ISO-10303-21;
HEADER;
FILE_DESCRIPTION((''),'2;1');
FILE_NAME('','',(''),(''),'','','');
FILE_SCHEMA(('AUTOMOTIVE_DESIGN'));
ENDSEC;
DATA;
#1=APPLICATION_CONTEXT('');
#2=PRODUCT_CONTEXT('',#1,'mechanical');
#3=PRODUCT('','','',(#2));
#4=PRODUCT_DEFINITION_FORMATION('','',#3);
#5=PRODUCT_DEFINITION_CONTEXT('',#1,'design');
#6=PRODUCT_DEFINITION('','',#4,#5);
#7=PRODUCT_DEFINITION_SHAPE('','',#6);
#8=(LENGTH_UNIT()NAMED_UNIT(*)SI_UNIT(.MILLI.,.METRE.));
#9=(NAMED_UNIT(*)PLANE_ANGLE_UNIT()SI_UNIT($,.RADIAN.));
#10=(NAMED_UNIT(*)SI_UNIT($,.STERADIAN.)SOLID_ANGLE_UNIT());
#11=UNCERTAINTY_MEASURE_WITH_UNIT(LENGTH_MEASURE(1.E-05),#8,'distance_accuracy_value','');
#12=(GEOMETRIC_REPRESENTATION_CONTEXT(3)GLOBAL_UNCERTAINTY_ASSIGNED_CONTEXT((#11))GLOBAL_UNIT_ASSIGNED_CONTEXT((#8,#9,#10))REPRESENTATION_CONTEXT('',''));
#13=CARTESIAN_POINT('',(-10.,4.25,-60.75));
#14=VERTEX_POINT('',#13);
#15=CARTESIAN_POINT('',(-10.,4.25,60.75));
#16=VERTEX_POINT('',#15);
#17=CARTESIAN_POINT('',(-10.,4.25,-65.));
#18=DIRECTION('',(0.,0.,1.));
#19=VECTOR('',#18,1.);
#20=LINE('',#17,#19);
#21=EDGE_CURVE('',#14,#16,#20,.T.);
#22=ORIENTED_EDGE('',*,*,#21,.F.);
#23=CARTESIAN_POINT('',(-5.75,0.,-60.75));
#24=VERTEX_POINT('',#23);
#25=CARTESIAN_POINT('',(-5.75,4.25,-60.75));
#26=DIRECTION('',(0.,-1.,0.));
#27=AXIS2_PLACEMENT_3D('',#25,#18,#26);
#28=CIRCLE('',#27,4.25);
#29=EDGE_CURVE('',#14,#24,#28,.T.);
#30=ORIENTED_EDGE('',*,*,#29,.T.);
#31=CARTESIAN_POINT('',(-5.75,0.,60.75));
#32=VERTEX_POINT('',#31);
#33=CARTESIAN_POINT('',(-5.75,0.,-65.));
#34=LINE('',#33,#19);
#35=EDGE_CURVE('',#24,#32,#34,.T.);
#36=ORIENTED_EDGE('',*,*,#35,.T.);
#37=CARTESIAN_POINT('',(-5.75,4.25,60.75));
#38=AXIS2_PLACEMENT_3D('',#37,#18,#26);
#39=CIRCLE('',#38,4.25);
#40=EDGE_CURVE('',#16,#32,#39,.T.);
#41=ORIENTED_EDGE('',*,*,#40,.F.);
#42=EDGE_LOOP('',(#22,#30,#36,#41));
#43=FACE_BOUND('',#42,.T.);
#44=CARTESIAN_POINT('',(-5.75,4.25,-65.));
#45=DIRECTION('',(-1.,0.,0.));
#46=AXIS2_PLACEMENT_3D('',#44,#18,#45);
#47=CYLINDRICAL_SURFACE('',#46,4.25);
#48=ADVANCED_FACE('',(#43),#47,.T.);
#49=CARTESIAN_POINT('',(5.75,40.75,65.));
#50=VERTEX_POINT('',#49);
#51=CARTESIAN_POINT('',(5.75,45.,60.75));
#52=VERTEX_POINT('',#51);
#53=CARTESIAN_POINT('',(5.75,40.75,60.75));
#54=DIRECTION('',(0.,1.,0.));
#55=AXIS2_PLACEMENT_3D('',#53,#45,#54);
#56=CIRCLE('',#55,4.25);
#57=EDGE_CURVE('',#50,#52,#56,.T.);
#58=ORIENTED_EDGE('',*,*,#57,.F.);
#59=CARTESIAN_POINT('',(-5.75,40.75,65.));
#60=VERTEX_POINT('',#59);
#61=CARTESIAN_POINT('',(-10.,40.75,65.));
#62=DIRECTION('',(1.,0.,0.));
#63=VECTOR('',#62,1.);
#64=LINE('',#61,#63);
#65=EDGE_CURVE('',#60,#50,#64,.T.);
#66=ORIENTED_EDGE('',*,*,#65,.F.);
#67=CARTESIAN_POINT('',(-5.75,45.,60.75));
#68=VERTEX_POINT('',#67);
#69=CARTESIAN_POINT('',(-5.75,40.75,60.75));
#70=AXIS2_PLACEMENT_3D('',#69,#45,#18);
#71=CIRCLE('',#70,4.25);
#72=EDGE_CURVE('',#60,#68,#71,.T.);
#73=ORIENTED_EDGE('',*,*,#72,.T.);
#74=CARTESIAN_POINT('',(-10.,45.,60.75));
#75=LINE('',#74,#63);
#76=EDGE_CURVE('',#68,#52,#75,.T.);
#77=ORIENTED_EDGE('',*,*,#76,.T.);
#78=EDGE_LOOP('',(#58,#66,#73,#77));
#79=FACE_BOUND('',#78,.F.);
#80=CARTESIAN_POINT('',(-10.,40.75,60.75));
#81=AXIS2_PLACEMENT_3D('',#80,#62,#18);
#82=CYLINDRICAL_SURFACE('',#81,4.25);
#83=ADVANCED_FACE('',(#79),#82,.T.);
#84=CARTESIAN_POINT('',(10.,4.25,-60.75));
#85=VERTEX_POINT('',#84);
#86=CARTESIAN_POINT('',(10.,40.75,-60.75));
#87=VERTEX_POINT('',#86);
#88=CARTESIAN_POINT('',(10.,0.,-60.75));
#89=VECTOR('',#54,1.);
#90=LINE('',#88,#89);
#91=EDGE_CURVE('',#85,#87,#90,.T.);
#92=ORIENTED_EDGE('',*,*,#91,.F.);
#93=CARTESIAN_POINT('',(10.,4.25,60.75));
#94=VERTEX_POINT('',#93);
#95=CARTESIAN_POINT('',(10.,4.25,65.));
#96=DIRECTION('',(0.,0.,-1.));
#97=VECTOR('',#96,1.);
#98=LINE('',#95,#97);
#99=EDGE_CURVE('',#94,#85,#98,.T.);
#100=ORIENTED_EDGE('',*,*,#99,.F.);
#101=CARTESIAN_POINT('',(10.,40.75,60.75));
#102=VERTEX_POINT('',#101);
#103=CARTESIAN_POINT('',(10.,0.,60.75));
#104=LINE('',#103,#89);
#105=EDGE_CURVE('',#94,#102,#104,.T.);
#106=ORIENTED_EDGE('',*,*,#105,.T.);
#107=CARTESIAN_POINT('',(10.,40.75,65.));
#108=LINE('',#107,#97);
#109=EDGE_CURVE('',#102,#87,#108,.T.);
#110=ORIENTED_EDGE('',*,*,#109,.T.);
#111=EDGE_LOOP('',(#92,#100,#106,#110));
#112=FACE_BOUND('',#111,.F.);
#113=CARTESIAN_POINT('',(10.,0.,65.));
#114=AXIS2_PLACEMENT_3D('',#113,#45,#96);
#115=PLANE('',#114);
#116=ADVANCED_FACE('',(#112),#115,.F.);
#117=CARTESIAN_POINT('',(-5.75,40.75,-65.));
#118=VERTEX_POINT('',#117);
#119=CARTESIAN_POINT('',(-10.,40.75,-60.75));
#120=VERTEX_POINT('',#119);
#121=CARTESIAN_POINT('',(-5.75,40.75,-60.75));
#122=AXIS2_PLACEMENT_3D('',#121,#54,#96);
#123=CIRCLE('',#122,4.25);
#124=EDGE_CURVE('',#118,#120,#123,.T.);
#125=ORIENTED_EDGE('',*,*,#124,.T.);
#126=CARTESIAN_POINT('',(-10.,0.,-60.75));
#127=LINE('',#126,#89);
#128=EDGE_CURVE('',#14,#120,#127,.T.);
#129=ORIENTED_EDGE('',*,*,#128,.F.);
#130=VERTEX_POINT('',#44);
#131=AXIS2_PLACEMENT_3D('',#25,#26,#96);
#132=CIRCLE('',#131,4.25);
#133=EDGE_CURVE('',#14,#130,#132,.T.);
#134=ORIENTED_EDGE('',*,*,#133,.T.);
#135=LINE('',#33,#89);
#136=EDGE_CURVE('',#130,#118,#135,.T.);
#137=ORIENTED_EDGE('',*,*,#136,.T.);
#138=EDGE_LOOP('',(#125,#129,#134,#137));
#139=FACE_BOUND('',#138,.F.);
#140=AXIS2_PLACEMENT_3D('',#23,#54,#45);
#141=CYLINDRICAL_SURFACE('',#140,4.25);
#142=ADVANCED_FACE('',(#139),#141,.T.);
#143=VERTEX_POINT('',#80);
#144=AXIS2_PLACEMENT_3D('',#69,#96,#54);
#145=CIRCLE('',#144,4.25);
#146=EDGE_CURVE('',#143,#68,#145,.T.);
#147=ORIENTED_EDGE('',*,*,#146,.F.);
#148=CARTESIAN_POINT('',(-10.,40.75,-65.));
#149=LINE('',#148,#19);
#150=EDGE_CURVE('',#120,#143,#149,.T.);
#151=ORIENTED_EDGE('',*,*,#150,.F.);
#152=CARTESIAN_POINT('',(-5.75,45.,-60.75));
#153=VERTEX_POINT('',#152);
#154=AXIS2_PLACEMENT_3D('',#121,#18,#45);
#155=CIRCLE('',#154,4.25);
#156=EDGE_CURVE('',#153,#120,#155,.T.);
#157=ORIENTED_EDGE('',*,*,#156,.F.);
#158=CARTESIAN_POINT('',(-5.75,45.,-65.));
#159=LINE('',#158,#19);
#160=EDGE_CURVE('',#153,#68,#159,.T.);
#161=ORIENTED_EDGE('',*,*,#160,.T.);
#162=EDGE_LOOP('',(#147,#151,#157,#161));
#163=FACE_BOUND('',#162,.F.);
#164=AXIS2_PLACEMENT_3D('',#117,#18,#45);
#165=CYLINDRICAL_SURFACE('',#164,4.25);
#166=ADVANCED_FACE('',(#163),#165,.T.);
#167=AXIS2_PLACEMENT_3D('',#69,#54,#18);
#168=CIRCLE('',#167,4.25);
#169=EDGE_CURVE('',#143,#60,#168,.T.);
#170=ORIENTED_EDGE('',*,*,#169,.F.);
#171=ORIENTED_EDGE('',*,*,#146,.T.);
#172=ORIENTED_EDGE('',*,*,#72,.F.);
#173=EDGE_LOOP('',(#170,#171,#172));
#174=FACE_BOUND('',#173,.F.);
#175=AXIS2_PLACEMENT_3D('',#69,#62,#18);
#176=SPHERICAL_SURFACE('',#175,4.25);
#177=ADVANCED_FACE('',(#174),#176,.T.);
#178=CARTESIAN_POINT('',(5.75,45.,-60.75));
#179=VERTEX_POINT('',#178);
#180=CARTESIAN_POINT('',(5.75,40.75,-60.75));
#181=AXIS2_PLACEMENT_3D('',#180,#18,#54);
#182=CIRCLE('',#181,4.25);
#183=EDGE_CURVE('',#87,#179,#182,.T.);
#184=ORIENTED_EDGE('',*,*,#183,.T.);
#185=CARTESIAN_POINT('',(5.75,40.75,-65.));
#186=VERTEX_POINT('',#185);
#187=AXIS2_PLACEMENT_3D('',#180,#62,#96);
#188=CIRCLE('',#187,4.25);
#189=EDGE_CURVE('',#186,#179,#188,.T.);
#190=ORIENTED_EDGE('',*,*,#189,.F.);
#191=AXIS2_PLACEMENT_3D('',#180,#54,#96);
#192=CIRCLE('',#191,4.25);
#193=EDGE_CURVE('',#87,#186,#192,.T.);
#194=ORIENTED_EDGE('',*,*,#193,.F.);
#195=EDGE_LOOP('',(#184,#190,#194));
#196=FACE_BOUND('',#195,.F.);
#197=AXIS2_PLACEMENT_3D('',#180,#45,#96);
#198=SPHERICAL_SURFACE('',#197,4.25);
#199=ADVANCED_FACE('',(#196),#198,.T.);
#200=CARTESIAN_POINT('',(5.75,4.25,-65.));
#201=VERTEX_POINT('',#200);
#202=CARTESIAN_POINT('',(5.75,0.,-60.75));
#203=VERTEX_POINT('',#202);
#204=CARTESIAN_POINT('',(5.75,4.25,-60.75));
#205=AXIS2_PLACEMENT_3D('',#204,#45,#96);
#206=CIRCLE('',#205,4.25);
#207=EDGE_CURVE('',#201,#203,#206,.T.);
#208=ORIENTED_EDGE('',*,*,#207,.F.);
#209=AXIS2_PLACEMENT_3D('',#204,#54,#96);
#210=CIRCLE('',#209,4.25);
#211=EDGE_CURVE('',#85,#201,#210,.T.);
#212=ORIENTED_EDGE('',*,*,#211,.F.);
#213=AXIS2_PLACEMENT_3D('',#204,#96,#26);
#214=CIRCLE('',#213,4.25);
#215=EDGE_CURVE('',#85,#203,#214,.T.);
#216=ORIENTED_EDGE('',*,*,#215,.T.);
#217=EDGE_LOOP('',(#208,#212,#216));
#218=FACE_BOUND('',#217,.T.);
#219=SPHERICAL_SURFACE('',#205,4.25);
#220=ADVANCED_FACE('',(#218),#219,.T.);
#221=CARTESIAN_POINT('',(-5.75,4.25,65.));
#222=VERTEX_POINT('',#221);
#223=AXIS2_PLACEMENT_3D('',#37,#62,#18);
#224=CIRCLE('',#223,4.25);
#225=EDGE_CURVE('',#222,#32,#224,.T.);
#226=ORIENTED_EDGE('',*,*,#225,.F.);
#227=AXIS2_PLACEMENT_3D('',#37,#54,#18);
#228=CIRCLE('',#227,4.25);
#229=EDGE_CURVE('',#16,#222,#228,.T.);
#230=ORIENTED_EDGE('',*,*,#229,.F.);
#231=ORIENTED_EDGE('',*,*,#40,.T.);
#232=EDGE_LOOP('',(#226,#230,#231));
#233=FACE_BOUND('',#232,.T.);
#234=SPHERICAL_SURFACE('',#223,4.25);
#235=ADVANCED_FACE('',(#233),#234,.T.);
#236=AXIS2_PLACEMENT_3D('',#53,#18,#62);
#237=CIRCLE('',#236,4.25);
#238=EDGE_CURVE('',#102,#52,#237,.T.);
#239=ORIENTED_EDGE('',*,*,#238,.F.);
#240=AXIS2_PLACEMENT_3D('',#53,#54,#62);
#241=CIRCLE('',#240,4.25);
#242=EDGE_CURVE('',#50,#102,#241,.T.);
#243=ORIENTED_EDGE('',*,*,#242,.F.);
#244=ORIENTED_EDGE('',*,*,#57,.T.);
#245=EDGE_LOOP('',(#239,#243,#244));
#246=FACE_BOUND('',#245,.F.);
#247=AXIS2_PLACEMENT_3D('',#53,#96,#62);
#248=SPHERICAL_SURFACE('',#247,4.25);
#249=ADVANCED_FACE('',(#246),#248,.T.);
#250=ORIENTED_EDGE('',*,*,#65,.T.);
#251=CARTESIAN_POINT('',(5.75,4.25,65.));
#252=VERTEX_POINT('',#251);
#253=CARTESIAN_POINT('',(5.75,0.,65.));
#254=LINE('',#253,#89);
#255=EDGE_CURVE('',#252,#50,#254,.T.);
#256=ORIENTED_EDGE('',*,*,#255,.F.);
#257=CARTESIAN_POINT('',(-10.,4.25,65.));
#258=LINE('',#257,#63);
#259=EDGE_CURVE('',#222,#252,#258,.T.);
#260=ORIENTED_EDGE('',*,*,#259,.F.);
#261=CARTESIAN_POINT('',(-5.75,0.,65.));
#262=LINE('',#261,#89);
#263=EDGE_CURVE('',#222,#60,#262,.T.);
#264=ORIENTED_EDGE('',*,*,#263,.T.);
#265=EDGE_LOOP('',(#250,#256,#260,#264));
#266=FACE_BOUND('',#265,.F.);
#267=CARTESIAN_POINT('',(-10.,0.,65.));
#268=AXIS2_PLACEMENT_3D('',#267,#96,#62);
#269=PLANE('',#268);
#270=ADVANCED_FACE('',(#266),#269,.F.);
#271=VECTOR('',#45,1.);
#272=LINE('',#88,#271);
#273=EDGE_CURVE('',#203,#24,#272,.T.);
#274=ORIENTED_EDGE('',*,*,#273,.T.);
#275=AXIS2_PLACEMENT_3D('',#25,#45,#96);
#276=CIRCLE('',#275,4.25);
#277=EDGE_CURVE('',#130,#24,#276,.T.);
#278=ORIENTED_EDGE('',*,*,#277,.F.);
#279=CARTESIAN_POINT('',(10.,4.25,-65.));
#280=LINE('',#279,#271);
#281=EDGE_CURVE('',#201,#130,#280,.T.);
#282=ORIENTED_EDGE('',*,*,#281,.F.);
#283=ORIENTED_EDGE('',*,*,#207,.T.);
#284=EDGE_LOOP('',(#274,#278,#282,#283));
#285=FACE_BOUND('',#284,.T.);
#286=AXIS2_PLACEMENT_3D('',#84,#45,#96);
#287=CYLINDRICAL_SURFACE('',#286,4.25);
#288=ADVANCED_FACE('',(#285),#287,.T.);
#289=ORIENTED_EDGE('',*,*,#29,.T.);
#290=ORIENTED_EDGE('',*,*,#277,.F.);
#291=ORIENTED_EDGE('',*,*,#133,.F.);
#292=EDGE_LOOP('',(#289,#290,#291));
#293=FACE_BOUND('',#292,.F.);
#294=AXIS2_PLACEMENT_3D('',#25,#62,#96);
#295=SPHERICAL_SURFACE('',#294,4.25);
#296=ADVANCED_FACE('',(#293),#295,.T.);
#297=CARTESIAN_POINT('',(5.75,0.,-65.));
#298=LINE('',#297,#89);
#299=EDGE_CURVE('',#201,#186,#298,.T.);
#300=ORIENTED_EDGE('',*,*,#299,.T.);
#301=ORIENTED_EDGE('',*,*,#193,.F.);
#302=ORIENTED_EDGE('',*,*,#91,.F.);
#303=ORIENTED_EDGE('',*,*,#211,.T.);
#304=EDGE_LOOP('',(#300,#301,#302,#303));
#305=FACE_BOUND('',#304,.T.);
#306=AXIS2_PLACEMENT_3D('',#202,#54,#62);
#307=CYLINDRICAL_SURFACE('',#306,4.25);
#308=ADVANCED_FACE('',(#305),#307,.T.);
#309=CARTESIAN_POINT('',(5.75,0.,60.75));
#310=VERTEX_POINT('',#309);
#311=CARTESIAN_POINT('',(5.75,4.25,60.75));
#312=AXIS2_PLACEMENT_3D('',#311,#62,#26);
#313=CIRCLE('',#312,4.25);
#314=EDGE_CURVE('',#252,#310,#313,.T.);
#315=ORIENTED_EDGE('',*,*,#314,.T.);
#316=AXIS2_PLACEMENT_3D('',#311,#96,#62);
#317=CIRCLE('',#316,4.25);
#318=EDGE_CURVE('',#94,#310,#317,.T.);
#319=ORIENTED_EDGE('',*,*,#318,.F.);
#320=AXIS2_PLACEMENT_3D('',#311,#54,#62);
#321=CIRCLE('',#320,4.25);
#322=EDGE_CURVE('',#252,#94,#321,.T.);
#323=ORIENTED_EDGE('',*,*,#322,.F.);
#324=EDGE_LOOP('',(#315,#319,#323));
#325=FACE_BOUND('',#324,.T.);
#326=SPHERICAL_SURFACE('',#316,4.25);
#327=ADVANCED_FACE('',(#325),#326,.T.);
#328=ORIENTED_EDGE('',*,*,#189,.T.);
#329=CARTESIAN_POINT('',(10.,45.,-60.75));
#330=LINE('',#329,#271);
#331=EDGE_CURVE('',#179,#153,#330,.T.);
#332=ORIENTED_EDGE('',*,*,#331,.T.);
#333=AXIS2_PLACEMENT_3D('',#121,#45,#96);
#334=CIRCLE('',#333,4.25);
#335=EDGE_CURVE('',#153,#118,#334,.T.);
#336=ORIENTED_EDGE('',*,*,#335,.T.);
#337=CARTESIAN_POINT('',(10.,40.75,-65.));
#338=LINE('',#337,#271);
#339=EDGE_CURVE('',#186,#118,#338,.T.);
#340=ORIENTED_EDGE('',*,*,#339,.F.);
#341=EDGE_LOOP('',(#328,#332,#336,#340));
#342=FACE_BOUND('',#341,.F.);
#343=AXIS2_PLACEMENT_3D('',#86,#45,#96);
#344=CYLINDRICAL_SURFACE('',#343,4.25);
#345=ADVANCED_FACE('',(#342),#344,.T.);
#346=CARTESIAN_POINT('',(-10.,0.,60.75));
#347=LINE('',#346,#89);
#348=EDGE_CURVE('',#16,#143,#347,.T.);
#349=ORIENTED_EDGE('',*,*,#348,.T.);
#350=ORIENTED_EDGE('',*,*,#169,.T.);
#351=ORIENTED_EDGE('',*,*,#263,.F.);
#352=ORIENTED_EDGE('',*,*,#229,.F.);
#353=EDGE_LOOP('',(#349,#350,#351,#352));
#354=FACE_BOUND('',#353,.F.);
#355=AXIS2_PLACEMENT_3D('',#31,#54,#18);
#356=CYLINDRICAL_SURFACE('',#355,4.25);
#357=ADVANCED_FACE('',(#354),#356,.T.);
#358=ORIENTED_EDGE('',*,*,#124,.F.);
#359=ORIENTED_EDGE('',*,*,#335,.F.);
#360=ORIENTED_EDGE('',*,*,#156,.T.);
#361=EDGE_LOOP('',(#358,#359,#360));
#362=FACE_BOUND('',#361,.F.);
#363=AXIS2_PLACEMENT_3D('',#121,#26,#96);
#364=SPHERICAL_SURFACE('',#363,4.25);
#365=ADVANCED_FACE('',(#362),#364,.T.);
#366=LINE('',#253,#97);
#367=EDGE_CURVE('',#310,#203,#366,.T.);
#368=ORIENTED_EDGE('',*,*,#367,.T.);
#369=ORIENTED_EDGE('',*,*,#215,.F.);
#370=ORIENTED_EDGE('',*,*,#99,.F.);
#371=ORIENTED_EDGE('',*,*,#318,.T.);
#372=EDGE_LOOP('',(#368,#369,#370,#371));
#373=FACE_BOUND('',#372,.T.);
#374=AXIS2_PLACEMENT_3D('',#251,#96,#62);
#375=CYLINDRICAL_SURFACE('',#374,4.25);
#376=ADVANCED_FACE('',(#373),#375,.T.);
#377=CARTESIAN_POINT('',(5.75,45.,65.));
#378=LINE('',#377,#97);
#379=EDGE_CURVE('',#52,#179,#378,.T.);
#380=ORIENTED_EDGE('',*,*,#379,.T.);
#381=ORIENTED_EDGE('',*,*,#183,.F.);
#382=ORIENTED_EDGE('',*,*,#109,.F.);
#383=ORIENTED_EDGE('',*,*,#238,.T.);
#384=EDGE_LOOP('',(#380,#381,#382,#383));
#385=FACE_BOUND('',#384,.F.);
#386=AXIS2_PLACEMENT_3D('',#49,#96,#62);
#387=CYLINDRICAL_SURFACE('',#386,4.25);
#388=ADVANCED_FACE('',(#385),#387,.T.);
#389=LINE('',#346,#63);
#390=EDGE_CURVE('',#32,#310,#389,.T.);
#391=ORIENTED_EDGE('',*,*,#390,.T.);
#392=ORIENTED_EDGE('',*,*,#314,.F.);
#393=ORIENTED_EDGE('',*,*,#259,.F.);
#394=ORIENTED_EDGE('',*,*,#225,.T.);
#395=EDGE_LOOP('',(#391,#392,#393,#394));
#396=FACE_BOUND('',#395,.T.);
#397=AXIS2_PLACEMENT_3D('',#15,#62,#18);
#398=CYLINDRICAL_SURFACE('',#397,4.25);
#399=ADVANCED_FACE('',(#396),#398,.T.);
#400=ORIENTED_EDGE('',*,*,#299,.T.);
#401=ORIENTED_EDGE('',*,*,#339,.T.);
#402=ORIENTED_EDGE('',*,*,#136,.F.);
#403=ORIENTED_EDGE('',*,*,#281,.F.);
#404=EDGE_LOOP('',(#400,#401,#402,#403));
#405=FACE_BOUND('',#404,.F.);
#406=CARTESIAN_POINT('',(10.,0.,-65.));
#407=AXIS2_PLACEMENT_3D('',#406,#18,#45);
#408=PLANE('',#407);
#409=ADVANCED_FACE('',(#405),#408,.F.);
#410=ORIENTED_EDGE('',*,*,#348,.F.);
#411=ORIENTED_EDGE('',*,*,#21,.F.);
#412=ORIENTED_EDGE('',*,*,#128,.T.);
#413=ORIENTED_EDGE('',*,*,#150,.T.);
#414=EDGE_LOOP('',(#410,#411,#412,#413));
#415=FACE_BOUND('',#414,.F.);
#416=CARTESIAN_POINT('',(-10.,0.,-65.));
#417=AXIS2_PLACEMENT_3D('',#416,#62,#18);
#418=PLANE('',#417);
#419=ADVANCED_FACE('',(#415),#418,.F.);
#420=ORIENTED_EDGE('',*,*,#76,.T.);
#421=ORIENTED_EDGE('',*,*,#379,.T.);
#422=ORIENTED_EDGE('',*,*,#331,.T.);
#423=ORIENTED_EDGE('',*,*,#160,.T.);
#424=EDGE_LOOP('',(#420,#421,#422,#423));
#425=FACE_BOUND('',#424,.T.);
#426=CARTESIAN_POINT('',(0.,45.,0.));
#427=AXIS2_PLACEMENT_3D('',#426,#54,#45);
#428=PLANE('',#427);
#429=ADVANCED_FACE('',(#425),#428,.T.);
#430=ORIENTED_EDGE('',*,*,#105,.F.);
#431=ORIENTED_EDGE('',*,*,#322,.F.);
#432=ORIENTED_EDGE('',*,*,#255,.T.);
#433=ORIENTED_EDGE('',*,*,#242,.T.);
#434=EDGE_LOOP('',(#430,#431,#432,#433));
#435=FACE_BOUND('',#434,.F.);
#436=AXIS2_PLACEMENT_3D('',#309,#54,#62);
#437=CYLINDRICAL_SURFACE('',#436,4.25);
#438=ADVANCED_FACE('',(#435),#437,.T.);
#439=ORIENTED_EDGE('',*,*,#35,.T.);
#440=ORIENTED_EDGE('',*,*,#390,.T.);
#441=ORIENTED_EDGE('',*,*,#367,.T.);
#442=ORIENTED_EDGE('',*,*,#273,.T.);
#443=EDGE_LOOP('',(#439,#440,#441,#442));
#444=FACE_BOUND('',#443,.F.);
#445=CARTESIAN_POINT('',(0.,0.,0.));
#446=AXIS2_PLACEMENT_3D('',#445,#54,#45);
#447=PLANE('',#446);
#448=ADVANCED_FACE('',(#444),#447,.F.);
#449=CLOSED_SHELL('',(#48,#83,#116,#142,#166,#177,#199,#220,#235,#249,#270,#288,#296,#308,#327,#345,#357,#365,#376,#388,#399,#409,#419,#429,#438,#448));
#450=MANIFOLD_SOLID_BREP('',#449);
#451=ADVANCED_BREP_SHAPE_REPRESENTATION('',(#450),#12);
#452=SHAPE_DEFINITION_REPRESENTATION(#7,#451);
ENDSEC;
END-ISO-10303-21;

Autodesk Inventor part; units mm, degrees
ref_plane "YZ Plane" through (0, 0, 0) normal (1, 0, 0) x (0, 1, 0)
ref_plane "XZ Plane" through (0, 0, 0) normal (0, 1, 0) x (-1, 0, 0)
ref_plane "XY Plane" through (0, 0, 0) normal (0, 0, 1) x (1, 0, 0)
sketch "Sketch1" plane through (0, 0, 0) normal (0, 1, 0) x (-1, 0, 0)
  line L0 (-10, -65) -> (10, -65)
  line L1 (10, -65) -> (10, 65)
  line L2 (10, 65) -> (-10, 65)
  line L3 (-10, 65) -> (-10, -65)
  line L4 (-10, -65) -> (10, 65) construction
  line L5 (10, -65) -> (-10, 65) construction
  point P0 (0, 0)
  dimension "d0" = 20
  dimension "d1" = 130
extrude "Extrusion1" add sketch "Sketch1" along normal blind 45
fillet "Fillet1" radius 4.25 12 edges at (0, 0, -65) (-10, 22.5, -65) (0, 45, -65) (10, 22.5, -65) (10, 0, 0) (10, 45, 0) (10, 22.5, 65) (0, 0, 65) (0, 45, 65) (-10, 22.5, 65) (-10, 0, 0) (-10, 45, 0)
properties part number "LiPo3S1P" material "Nylon 6/6"
